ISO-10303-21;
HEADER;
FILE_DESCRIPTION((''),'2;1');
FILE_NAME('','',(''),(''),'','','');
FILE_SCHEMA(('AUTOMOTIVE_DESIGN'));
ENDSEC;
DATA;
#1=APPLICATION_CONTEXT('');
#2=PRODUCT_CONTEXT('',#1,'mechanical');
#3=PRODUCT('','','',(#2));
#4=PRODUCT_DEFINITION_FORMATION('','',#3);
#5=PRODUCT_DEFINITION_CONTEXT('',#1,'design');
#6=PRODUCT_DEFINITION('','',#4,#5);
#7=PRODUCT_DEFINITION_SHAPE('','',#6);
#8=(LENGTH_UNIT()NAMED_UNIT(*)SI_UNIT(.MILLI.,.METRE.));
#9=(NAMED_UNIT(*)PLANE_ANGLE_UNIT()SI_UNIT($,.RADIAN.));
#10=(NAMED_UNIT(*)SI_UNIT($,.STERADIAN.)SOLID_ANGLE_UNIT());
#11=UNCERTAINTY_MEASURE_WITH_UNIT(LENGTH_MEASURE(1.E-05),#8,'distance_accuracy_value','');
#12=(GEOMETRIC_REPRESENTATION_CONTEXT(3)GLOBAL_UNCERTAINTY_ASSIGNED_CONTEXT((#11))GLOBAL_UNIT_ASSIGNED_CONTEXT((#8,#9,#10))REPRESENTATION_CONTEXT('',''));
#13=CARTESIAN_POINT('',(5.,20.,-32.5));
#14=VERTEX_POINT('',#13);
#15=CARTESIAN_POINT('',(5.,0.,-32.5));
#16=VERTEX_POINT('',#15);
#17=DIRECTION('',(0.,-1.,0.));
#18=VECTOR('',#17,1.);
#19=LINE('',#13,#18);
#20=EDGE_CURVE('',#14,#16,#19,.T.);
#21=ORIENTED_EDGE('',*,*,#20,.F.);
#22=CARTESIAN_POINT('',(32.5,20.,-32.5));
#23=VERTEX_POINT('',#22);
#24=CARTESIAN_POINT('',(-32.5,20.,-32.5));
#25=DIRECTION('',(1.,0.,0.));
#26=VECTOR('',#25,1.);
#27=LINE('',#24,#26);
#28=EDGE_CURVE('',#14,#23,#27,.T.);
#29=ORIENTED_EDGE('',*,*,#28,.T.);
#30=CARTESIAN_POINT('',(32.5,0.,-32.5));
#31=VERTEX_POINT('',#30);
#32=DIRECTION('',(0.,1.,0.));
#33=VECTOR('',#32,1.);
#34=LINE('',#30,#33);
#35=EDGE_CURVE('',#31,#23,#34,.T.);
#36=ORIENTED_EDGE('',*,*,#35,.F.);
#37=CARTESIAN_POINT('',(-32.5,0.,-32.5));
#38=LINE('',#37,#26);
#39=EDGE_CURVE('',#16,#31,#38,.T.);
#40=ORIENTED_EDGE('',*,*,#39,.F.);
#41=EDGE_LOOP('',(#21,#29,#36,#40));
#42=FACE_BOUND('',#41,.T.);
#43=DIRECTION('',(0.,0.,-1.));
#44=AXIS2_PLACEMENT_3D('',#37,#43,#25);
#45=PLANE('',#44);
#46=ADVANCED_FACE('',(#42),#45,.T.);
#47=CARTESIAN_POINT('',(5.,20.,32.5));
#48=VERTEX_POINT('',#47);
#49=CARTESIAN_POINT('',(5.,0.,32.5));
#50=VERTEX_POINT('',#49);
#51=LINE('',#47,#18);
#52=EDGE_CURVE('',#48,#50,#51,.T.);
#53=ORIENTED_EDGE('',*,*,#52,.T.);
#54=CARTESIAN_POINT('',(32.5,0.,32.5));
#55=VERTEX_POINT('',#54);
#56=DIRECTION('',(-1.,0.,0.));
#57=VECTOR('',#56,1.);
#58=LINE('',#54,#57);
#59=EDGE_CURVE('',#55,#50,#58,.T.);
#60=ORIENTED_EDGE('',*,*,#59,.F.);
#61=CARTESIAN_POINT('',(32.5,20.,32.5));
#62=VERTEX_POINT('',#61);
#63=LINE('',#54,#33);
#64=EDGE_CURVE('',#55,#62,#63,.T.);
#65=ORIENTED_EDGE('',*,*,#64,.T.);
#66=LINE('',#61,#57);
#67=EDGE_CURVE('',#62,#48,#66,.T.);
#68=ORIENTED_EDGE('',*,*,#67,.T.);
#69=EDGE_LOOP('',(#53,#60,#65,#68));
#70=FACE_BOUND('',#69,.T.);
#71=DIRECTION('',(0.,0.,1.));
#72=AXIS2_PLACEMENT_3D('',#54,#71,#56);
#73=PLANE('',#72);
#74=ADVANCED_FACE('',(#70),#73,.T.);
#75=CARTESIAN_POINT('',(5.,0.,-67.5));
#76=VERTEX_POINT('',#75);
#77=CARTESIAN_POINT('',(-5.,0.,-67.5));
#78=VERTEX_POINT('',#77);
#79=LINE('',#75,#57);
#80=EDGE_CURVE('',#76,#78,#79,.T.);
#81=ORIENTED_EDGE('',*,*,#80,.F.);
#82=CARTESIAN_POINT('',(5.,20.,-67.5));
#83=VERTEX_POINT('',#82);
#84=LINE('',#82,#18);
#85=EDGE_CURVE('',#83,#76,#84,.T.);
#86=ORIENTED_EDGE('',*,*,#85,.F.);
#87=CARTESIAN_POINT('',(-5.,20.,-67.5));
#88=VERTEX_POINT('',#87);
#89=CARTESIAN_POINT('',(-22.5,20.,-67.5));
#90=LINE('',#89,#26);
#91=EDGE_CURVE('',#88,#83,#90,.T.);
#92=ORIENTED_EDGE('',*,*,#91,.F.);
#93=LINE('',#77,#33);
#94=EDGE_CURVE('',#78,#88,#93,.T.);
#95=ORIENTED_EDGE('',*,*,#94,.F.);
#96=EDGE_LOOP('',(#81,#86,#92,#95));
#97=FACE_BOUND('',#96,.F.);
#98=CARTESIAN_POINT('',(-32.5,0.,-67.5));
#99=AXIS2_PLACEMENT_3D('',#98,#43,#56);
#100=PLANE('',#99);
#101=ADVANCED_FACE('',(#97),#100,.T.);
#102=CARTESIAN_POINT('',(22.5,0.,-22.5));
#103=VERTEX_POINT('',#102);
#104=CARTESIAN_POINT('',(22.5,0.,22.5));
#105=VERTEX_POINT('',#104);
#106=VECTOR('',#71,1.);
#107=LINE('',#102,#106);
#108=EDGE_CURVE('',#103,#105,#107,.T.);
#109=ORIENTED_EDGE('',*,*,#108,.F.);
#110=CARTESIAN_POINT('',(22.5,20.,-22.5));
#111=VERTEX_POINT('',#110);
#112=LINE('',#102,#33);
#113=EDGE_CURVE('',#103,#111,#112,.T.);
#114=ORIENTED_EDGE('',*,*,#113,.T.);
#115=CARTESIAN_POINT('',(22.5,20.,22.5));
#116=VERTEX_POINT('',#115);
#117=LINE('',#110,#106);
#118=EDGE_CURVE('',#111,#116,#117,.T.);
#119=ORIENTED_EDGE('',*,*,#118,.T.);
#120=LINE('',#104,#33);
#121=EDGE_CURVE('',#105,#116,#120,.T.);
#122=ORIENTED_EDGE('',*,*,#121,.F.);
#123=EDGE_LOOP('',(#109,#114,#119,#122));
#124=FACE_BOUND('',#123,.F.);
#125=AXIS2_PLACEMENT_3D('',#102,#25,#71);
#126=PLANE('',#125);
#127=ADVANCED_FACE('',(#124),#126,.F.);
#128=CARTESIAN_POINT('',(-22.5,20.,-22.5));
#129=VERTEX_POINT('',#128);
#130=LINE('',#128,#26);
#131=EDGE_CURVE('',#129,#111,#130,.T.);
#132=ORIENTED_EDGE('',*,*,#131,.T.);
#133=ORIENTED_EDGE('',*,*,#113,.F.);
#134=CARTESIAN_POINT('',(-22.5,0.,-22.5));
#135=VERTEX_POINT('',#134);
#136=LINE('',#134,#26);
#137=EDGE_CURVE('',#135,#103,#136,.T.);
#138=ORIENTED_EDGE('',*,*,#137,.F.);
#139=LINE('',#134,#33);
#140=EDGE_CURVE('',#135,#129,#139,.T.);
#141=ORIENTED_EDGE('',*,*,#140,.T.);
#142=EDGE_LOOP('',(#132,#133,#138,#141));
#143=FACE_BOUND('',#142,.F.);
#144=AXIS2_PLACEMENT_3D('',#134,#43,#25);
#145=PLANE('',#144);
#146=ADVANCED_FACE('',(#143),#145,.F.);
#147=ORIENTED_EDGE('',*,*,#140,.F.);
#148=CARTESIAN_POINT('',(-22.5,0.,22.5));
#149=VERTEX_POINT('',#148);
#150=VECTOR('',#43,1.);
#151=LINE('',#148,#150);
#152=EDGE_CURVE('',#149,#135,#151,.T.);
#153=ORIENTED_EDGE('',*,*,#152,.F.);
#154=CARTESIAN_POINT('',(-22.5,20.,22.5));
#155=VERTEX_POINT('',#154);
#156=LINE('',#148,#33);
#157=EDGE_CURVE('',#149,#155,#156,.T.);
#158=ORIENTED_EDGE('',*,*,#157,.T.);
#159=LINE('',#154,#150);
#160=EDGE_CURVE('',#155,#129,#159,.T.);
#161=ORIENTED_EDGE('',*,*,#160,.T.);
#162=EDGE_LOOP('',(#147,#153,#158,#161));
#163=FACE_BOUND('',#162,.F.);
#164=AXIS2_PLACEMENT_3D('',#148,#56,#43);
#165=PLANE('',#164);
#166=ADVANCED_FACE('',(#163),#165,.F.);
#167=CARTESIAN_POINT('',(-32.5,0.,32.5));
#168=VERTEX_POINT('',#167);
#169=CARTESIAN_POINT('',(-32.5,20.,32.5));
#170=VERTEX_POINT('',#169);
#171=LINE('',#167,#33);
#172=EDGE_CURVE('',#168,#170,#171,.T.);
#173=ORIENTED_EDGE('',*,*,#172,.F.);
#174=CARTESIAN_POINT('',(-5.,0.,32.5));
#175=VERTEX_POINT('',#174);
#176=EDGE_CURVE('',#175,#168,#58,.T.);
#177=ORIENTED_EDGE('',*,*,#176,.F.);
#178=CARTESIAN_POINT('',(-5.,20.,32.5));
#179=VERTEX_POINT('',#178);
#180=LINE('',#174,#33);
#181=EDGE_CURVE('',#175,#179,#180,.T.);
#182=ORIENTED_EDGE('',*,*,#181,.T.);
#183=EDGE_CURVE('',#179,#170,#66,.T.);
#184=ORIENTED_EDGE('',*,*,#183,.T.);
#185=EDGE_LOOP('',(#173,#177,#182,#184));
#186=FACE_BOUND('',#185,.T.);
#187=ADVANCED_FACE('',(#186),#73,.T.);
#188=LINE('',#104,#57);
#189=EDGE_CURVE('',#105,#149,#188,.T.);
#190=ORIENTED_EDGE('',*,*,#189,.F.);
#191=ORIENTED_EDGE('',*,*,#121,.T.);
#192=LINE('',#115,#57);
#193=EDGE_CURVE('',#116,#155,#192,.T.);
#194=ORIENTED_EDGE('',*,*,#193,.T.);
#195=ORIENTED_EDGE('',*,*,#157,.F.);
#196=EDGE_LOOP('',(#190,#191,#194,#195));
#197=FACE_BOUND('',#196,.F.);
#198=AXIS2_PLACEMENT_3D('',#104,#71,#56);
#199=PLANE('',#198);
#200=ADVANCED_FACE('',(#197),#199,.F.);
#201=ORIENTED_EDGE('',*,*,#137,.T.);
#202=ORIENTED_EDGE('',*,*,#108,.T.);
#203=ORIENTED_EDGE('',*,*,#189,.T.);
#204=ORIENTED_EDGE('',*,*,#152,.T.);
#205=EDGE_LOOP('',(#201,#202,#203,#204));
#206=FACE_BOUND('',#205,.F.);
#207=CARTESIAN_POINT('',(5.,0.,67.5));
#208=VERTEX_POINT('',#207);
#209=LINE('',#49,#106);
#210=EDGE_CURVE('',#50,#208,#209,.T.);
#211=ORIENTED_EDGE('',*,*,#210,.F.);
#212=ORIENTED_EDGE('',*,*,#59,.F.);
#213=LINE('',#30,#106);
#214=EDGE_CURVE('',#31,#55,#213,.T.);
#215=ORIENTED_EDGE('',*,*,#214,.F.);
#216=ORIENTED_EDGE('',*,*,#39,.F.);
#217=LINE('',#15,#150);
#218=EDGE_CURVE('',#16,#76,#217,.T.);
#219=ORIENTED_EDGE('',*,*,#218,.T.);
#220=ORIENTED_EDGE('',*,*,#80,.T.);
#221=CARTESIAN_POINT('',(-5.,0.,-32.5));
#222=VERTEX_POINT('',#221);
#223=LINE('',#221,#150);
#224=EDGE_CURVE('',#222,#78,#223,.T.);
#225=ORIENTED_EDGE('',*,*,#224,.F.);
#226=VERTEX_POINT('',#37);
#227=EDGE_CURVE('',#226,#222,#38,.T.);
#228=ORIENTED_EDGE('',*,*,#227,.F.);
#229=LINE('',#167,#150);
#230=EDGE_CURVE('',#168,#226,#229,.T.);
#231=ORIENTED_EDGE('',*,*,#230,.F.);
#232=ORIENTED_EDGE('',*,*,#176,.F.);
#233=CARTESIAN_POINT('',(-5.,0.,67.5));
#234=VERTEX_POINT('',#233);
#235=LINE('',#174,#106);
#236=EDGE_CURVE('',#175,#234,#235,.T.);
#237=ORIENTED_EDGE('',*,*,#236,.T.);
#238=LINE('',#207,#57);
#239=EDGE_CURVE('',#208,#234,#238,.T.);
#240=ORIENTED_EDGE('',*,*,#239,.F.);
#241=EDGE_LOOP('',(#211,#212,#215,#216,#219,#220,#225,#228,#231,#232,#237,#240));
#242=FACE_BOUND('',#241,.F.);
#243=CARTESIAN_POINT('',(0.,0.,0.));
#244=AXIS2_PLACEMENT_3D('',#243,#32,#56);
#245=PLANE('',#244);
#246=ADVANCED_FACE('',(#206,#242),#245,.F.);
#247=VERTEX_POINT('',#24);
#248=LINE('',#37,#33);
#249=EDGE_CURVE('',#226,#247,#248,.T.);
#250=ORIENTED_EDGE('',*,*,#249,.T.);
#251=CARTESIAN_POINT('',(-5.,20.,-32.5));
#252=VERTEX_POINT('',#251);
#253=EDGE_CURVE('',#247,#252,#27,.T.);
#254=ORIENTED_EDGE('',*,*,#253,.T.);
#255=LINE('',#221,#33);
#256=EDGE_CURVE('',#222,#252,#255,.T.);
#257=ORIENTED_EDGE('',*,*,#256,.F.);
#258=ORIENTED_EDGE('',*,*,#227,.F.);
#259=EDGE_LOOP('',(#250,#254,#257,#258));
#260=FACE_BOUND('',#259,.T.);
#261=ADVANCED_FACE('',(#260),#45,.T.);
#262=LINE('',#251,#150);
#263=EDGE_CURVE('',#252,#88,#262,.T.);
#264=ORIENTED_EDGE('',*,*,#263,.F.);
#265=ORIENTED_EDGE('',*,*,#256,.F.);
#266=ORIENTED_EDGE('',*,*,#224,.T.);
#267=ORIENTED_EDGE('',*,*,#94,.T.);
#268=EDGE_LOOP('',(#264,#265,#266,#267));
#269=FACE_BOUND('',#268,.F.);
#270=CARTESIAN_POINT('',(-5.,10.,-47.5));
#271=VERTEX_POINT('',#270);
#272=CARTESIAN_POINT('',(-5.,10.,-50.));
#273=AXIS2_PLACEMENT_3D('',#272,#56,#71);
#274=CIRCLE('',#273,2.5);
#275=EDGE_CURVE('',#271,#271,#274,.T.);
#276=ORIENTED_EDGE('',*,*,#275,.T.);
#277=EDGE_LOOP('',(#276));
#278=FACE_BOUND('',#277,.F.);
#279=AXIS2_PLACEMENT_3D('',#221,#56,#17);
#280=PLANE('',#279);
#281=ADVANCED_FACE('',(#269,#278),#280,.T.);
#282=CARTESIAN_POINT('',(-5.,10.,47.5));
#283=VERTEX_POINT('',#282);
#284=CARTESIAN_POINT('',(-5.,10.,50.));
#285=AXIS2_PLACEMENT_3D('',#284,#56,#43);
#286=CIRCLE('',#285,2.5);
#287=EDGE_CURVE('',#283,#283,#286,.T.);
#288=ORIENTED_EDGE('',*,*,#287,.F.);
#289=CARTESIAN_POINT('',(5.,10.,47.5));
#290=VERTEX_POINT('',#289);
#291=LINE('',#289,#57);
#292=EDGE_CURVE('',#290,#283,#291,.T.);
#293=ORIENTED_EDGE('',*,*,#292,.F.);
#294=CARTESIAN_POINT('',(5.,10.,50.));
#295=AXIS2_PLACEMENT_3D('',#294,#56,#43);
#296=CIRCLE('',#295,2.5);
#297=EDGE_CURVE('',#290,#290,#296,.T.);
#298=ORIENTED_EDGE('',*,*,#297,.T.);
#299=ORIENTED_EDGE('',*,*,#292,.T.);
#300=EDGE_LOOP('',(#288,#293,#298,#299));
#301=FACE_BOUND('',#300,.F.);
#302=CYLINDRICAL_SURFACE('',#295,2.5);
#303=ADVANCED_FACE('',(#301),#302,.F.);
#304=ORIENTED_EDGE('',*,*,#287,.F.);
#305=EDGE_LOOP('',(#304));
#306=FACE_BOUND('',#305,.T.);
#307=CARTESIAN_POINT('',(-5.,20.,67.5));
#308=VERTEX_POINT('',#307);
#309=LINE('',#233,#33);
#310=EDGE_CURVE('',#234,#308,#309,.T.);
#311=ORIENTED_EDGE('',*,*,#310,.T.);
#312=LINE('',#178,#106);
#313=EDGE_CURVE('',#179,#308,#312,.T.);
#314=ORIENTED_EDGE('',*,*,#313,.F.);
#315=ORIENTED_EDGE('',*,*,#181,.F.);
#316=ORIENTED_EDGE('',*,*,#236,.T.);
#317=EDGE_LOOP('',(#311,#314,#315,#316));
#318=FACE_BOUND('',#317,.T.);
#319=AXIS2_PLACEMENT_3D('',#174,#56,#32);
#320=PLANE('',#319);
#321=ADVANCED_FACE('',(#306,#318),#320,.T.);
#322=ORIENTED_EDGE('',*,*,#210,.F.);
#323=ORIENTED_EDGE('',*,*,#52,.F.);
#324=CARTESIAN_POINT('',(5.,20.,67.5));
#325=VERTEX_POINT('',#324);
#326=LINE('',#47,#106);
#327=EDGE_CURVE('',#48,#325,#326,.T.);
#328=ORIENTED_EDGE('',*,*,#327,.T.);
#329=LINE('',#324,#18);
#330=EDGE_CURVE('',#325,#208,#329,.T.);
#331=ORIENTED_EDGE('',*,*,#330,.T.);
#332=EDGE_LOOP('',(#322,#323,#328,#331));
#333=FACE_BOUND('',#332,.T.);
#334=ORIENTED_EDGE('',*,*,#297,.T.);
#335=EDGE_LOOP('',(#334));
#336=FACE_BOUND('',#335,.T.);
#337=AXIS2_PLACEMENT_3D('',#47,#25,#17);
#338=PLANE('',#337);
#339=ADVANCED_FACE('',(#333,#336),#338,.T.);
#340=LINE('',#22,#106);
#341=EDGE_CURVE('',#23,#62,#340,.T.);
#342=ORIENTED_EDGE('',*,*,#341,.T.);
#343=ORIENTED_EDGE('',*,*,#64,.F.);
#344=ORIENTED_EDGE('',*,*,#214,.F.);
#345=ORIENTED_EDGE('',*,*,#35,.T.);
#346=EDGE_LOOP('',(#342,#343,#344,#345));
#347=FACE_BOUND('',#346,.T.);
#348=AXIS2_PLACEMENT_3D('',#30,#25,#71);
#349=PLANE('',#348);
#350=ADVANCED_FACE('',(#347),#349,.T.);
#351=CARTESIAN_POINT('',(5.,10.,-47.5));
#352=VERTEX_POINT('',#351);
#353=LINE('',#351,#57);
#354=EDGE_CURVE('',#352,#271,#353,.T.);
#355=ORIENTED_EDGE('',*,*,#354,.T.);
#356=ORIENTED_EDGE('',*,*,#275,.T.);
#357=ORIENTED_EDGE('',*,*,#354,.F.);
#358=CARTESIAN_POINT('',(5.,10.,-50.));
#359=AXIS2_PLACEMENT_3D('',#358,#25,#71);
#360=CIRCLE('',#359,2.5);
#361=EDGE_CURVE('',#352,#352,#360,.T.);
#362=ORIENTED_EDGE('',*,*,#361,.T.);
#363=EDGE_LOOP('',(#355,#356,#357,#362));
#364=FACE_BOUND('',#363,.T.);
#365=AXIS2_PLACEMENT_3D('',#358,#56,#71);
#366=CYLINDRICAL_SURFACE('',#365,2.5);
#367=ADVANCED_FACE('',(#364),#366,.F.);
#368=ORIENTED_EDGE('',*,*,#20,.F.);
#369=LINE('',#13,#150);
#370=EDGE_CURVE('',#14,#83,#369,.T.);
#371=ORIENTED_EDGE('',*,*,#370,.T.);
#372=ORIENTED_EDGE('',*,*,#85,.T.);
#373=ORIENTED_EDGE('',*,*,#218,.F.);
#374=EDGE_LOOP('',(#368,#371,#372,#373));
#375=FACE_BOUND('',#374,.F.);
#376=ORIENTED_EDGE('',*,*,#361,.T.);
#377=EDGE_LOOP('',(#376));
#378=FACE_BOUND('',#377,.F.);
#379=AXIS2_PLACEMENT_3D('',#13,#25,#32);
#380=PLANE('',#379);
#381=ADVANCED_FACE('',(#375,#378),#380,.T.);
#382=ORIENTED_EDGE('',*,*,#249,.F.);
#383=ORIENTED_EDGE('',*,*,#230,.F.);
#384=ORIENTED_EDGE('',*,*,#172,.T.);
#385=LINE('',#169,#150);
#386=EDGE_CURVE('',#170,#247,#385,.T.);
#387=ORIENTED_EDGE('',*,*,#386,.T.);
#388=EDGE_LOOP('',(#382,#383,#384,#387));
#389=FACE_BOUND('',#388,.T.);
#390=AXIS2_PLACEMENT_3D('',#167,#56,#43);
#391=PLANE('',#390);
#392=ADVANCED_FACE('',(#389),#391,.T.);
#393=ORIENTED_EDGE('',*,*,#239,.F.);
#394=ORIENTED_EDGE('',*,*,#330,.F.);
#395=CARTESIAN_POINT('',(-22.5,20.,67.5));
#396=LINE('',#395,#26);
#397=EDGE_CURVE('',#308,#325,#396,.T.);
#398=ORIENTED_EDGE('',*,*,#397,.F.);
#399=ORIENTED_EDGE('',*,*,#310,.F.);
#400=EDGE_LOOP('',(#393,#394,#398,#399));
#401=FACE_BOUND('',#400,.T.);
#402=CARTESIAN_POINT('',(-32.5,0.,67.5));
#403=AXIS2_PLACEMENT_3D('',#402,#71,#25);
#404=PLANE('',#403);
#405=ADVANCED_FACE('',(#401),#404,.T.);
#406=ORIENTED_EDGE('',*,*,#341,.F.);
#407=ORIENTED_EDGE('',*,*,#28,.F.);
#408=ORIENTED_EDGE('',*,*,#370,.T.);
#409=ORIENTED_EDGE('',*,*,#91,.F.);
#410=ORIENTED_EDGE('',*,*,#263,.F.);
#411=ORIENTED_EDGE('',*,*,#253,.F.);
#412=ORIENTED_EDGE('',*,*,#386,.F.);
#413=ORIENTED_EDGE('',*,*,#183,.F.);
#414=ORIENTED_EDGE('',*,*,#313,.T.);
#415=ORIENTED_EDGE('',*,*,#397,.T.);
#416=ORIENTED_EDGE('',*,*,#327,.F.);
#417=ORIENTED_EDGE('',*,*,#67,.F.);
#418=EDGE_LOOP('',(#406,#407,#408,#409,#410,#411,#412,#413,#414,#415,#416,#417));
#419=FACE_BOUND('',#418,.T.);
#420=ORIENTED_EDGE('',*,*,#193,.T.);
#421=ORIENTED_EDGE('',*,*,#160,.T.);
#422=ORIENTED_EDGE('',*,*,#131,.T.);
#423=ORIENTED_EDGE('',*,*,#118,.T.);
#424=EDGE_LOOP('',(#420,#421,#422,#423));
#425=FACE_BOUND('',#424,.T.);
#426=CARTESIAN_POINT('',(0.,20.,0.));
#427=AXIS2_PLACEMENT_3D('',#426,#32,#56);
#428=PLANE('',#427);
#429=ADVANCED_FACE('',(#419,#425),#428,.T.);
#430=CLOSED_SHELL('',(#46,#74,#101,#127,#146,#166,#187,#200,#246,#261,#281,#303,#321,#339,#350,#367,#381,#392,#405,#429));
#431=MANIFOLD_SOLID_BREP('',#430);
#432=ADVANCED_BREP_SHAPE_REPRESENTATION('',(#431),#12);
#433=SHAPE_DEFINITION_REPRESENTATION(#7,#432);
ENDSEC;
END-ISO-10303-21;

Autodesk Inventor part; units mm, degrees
ref_plane "YZ Plane" through (0, 0, 0) normal (1, 0, 0) x (0, 1, 0)
ref_plane "XZ Plane" through (0, 0, 0) normal (0, 1, 0) x (-1, 0, 0)
ref_plane "XY Plane" through (0, 0, 0) normal (0, 0, 1) x (1, 0, 0)
sketch "Esquisse1" plane through (0, 0, 0) normal (0, 1, 0) x (-1, 0, 0)
  line L0 (-22.5, 22.5) -> (22.5, 22.5)
  line L1 (22.5, 22.5) -> (22.5, -22.5)
  line L2 (22.5, -22.5) -> (-22.5, -22.5)
  line L3 (-22.5, -22.5) -> (-22.5, 22.5)
  line L4 (-22.5, 22.5) -> (22.5, -22.5) construction
  line L5 (22.5, 22.5) -> (-22.5, -22.5) construction
  line L6 (-32.5, 32.5) -> (32.5, 32.5)
  line L7 (32.5, 32.5) -> (32.5, -32.5)
  line L8 (32.5, -32.5) -> (-32.5, -32.5)
  line L9 (-32.5, -32.5) -> (-32.5, 32.5)
  line L10 (-32.5, 32.5) -> (32.5, -32.5) construction
  line L11 (32.5, 32.5) -> (-32.5, -32.5) construction
  point P0 (0, 0)
  dimension "d0" = 45
  dimension "d1" = 45
  dimension "d2" = 65
extrude "Extrusion1" add sketch "Esquisse1" along normal blind 20
sketch "Esquisse2" plane through (-32.5, 0, 32.5) normal (0, 0, 1) x (1, 0, 0)
  line L0 (10, 20) -> (55, 20) projected
  line L1 (37.5, 0) -> (27.5, 0)
  line L2 (27.5, 0) -> (27.5, 20)
  line L3 (27.5, 20) -> (37.5, 20)
  line L4 (37.5, 20) -> (37.5, 0)
  line L5 (37.5, 0) -> (27.5, 20) construction
  line L6 (27.5, 0) -> (37.5, 20) construction
  point P0 (32.5, 0)
  dimension "d6" = 10
extrude "Extrusion2" add sketch "Esquisse2" along normal blind 35
sketch "Esquisse3" plane through (5, 0, 32.5) normal (1, 0, 0) x (0, 0, -1)
  line L0 (-35, 0) -> (-35, 20) projected
  line L1 (0, 0) -> (0, 20) projected
  point P0 (32.5, 0)
  point P1 (-17.5, 10)
hole "Perçage1" at (5, 10, 50) direction (-1, 0, 0) diameter 5 end through all
mirror "Symétrie1" about plane through (0, 0, 0) normal (0, 0, 1) of "Extrusion2", "Perçage1"
ref_plane "Plan de construction1" through (0, 0, 0) normal (0, 0, 1) x (1, 0, 0)
properties part number "Support moteur pas a pas"
